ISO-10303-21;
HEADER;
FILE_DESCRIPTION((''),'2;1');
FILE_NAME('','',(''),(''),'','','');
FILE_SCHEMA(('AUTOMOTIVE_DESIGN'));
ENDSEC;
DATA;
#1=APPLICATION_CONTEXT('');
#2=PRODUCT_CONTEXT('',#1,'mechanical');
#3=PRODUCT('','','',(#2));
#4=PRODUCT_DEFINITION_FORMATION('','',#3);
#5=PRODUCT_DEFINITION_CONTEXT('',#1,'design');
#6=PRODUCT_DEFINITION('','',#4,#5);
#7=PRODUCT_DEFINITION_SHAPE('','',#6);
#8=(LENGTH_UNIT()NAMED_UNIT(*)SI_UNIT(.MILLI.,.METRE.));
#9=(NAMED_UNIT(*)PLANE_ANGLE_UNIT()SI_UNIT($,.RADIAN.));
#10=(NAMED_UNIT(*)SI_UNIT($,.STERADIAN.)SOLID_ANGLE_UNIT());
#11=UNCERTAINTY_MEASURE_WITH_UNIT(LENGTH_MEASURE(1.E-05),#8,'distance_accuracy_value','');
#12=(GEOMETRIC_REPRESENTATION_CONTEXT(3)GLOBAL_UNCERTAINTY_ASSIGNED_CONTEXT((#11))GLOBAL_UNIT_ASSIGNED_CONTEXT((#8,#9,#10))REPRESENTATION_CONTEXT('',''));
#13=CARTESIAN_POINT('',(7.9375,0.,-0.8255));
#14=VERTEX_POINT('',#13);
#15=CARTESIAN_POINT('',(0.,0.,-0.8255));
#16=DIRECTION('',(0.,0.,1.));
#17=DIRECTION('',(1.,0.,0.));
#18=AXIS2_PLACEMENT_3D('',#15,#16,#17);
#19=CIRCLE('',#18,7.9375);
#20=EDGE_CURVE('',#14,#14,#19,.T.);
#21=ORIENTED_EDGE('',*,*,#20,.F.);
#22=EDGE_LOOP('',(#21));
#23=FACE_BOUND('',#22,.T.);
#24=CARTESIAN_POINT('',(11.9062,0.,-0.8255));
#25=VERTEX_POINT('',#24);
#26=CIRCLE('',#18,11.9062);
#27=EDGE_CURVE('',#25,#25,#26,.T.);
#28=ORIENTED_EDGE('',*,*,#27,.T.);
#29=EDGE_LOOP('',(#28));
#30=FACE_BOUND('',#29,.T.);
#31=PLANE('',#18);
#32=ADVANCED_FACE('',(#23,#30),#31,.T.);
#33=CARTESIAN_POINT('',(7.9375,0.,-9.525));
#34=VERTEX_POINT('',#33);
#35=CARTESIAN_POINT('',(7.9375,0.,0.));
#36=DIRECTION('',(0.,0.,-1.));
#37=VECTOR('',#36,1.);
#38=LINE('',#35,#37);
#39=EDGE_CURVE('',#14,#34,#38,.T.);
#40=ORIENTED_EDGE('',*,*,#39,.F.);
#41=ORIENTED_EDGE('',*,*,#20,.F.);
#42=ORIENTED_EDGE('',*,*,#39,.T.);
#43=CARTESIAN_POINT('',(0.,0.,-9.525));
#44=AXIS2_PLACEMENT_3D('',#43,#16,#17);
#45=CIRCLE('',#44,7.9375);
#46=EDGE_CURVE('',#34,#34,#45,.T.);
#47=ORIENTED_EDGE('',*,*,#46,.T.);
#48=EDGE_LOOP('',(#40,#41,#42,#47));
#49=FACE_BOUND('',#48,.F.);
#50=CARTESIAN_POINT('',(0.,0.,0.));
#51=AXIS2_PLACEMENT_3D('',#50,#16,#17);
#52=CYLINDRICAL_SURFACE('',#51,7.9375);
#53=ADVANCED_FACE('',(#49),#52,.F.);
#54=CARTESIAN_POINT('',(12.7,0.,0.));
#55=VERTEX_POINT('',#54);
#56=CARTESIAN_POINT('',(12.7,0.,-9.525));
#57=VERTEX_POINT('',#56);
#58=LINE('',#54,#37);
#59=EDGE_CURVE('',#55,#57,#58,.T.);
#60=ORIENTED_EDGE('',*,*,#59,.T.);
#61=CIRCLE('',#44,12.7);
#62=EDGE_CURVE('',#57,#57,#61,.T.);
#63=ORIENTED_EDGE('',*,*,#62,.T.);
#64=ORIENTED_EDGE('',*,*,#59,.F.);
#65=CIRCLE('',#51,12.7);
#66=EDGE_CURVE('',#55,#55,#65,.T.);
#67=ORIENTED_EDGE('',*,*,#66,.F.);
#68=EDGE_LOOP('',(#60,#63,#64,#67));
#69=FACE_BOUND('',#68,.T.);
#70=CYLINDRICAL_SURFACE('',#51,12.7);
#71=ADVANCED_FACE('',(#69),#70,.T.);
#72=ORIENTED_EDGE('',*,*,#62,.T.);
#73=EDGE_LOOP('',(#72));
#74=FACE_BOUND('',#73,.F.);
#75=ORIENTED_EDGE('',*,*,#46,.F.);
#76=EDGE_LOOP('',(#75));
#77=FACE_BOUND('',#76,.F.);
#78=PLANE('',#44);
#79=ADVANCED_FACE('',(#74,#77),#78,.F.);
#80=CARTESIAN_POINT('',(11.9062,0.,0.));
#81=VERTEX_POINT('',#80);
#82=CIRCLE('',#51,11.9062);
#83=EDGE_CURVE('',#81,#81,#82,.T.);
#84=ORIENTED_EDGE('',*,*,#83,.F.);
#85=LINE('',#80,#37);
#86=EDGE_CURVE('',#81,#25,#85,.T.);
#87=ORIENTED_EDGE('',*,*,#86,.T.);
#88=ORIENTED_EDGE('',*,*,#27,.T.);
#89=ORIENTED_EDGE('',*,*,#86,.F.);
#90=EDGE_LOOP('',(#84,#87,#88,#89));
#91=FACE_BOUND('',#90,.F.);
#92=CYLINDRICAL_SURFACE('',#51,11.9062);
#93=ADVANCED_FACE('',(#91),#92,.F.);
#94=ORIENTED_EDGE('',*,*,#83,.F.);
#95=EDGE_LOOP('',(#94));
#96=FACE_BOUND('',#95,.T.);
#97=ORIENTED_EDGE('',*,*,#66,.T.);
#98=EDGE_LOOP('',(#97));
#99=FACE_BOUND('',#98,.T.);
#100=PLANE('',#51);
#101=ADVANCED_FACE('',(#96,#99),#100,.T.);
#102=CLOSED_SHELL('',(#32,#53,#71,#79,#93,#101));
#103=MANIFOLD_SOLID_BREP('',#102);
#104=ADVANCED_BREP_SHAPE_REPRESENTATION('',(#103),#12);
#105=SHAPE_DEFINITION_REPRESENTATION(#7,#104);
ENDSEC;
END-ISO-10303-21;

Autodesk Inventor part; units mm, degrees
ref_plane "YZ Plane" through (0, 0, 0) normal (1, 0, 0) x (0, 1, 0)
ref_plane "XZ Plane" through (0, 0, 0) normal (0, 1, 0) x (-1, 0, 0)
ref_plane "XY Plane" through (0, 0, 0) normal (0, 0, 1) x (1, 0, 0)
sketch "Sketch1" plane through (0, 0, 0) normal (0, 0, 1) x (1, 0, 0)
  circle A0 centre (0, 0) radius 12.7
  circle A1 centre (0, 0) radius 7.9375
  circle A2 centre (0, 0) radius 11.9062
  dimension "d0" = 25.4
  dimension "d1" = 23.8125
  dimension "d3" = 15.875
extrude "Extrusion1" add sketch "Sketch1" against normal blind 9.525 contours A0 | A2
extrude "Extrusion2" cut sketch "Sketch1" against normal blind 0.8255 contours A2
properties part number "Dewalt Drill Shaft Bearing 1in x ..625 x 375"
